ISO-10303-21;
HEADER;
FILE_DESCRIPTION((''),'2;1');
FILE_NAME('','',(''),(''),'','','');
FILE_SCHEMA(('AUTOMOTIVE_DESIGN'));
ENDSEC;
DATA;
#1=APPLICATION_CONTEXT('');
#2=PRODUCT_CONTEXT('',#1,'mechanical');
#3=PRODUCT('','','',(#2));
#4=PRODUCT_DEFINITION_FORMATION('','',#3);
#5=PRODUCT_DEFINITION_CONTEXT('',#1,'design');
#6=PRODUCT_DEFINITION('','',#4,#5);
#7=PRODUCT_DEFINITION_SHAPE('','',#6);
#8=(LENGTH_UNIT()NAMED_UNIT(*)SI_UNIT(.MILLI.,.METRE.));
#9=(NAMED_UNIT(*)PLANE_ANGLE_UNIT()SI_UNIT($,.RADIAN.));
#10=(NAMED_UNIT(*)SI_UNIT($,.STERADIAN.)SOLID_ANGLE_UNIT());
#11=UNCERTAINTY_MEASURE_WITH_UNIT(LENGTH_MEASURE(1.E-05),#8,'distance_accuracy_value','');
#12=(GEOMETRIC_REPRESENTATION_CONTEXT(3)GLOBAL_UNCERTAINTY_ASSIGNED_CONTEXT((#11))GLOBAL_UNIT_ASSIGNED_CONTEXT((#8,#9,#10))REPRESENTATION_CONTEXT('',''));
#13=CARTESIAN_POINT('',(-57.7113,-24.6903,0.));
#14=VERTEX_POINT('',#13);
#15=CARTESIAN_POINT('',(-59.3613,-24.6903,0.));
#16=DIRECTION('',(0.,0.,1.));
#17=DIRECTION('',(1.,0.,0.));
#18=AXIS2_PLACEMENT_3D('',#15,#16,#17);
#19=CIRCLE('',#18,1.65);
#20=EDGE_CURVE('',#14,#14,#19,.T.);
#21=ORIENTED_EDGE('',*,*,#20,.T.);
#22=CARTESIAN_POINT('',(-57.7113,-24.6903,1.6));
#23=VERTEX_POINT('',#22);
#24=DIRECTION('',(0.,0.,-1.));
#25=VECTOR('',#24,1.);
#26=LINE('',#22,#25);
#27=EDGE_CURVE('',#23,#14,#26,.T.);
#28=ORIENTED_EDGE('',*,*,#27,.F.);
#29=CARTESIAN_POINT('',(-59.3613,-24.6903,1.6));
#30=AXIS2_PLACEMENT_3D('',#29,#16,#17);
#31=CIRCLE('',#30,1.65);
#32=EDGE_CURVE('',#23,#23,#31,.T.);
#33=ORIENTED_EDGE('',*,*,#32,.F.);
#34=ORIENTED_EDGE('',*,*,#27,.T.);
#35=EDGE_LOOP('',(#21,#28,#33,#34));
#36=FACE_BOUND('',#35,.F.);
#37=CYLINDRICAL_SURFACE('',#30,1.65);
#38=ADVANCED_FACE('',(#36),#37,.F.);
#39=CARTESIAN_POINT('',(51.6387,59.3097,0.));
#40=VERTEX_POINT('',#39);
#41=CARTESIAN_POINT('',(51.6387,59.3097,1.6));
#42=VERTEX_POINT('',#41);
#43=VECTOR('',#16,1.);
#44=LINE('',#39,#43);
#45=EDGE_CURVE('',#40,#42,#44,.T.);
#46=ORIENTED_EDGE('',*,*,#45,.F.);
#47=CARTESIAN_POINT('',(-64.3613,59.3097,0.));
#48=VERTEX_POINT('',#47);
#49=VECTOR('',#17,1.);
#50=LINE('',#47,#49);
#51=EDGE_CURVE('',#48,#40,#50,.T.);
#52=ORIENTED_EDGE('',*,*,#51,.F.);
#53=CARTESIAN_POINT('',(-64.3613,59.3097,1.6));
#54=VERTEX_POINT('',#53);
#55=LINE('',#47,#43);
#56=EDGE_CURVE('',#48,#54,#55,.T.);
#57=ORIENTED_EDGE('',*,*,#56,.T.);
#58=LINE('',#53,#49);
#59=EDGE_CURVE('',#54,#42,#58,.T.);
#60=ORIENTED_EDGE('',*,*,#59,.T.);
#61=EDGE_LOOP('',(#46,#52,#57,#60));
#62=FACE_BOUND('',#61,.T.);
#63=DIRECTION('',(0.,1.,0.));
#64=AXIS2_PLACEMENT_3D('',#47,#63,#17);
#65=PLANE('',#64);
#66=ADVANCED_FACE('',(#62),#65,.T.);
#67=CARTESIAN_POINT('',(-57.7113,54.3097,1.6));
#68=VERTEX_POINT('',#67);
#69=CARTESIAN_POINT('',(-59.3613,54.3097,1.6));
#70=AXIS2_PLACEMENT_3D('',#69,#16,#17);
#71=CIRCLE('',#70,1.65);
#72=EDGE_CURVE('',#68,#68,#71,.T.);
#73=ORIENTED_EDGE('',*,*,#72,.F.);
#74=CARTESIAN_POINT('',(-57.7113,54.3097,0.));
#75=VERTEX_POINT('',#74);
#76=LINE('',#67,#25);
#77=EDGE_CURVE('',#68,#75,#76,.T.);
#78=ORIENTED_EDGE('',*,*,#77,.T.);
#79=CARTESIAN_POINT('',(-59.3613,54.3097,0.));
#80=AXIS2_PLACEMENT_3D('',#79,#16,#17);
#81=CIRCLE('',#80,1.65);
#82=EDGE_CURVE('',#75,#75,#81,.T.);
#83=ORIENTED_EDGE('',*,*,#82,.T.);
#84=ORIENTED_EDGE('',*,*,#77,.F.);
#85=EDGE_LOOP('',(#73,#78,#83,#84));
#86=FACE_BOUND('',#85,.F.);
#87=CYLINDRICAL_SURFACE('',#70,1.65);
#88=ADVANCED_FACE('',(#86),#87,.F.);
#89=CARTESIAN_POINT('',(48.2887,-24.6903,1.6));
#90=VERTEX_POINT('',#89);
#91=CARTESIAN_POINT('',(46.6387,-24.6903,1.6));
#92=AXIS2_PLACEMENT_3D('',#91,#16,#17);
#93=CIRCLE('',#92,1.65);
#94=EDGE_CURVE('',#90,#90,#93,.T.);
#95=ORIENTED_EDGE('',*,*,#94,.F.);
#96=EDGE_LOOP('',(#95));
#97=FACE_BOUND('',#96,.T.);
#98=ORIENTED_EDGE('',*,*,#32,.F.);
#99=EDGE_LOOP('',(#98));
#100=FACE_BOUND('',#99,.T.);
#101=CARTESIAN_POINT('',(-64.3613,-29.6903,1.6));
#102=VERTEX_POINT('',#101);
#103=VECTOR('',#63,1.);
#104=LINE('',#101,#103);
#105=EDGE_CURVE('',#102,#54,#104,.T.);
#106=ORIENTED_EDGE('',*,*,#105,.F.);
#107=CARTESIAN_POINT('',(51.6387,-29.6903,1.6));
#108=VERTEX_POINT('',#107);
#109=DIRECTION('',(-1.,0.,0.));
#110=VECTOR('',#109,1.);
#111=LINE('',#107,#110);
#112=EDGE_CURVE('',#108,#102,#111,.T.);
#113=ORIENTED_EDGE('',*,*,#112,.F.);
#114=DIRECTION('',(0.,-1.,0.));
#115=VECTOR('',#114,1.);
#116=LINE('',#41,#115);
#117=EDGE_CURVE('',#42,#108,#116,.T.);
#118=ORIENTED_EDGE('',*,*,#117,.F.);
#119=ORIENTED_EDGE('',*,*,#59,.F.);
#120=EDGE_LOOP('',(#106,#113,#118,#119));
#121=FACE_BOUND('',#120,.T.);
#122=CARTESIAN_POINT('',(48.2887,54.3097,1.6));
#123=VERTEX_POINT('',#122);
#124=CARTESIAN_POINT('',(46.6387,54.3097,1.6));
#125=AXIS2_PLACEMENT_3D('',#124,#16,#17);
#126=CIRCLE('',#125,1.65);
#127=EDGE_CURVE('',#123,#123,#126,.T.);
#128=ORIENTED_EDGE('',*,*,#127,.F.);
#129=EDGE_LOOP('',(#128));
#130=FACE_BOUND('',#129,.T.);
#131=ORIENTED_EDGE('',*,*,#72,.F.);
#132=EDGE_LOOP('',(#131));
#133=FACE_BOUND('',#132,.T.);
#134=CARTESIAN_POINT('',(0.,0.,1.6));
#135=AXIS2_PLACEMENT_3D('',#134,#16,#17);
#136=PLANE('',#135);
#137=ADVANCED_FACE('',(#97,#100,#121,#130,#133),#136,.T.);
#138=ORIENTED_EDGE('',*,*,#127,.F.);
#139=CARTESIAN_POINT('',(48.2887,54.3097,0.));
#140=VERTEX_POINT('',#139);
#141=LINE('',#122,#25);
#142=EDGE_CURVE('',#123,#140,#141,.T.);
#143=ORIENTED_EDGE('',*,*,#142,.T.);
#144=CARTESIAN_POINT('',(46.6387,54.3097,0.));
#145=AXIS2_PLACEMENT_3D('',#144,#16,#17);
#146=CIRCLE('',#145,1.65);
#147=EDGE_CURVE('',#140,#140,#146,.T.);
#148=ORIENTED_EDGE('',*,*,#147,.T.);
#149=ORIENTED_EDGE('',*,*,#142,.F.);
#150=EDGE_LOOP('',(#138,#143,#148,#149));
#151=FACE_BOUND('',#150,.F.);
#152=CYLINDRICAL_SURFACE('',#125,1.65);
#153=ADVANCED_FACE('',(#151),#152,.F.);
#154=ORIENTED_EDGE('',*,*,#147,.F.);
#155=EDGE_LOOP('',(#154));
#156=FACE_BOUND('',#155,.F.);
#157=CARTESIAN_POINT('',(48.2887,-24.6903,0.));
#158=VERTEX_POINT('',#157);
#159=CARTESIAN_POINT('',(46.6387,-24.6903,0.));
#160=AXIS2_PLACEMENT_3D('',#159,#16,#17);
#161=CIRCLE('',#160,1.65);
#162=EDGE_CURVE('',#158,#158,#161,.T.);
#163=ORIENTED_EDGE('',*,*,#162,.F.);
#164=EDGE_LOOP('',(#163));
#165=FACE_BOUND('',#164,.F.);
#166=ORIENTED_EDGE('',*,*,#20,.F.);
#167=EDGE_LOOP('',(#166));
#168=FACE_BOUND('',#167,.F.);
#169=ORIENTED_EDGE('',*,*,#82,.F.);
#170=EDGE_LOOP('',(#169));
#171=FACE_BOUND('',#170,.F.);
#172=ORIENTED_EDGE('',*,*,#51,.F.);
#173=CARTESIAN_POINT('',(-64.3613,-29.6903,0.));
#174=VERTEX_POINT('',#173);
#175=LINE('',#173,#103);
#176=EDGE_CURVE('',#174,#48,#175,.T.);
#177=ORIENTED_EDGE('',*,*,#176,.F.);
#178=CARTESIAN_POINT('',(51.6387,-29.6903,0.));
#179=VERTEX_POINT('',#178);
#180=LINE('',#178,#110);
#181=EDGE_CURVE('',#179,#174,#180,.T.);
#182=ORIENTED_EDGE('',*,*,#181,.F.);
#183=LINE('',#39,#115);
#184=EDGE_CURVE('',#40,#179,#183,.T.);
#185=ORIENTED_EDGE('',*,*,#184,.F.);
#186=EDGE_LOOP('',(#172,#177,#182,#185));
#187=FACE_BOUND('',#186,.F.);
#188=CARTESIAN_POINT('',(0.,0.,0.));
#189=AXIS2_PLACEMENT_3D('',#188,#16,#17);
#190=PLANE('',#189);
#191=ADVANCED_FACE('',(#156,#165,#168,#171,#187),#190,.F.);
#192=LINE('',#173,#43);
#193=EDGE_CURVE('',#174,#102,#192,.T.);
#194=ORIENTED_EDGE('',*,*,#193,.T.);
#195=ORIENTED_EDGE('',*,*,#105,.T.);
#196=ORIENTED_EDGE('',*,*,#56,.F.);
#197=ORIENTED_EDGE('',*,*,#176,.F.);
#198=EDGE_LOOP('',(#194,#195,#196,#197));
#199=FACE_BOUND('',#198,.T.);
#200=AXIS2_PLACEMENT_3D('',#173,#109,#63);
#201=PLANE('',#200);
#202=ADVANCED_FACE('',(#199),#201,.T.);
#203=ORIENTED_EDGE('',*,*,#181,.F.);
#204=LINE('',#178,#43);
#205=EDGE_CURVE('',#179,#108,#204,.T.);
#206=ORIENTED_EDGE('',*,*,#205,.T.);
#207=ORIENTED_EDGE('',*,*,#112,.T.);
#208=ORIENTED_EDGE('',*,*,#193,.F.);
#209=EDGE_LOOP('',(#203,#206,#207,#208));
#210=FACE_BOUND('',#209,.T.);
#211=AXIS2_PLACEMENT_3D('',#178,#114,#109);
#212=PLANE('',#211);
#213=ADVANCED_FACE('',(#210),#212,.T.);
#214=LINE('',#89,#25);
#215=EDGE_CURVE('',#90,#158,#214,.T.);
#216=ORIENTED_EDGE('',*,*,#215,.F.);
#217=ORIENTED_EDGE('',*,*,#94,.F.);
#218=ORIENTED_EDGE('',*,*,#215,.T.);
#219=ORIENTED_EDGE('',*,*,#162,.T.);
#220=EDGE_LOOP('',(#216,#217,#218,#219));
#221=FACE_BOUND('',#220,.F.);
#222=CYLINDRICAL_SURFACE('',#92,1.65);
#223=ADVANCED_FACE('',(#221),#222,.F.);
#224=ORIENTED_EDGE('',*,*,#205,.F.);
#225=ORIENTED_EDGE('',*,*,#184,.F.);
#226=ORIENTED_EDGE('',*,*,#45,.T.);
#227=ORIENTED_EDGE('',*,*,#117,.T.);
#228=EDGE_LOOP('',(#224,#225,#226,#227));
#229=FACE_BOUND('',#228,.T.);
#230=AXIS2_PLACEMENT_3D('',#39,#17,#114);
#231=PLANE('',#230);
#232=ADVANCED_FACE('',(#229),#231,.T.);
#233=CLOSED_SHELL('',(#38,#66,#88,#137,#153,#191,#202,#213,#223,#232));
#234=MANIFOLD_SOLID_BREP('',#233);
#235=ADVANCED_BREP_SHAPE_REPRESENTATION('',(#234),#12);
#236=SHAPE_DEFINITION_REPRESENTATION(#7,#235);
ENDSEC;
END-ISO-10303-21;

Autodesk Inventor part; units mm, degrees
ref_plane "YZ Plane" through (0, 0, 0) normal (1, 0, 0) x (0, 1, 0)
ref_plane "XZ Plane" through (0, 0, 0) normal (0, 1, 0) x (-1, 0, 0)
ref_plane "XY Plane" through (0, 0, 0) normal (0, 0, 1) x (1, 0, 0)
sketch "Esquisse1" plane through (0, 0, 0) normal (0, 0, 1) x (1, 0, 0)
  line L0 (51.6387, -29.6903) -> (-64.3613, -29.6903)
  line L1 (-64.3613, -29.6903) -> (-64.3613, 59.3097)
  line L2 (-64.3613, 59.3097) -> (51.6387, 59.3097)
  line L3 (51.6387, 59.3097) -> (51.6387, -29.6903)
  point P0 (0, 0)
  dimension "d0" = 116
  dimension "d2" = 89
extrude "Extrusion1" add sketch "Esquisse1" along normal blind 1.6
sketch "Esquisse2" plane through (0, 0, 1.6) normal (0, 0, 1) x (1, 0, 0)
  line L0 (-64.3613, -29.6903) -> (51.6387, -29.6903) projected
  line L1 (51.6387, 59.3097) -> (-64.3613, 59.3097) projected
  line L2 (-64.3613, 59.3097) -> (-64.3613, -29.6903) projected
  circle A0 centre (-59.3613, 54.3097) radius 1.65
  circle A1 centre (-59.3613, -24.6903) radius 1.65
  circle A2 centre (46.6387, -24.6903) radius 1.65
  circle A3 centre (46.6387, 54.3097) radius 1.65
  point P0 (0, 0)
  dimension "d5" = 3.3
  dimension "d7" = 3.3
  dimension "d8" = 3.3
  dimension "d9" = 3.3
  dimension "d10" = 79
  dimension "d11" = 79
  dimension "d12" = 5
  dimension "d13" = 5
  dimension "d14" = 106
  dimension "d15" = 106
  dimension "d16" = 5
  dimension "d17" = 5
extrude "Extrusion2" cut sketch "Esquisse2" against normal blind 1.6
properties part number "pcb" material "Résine phénolique"
